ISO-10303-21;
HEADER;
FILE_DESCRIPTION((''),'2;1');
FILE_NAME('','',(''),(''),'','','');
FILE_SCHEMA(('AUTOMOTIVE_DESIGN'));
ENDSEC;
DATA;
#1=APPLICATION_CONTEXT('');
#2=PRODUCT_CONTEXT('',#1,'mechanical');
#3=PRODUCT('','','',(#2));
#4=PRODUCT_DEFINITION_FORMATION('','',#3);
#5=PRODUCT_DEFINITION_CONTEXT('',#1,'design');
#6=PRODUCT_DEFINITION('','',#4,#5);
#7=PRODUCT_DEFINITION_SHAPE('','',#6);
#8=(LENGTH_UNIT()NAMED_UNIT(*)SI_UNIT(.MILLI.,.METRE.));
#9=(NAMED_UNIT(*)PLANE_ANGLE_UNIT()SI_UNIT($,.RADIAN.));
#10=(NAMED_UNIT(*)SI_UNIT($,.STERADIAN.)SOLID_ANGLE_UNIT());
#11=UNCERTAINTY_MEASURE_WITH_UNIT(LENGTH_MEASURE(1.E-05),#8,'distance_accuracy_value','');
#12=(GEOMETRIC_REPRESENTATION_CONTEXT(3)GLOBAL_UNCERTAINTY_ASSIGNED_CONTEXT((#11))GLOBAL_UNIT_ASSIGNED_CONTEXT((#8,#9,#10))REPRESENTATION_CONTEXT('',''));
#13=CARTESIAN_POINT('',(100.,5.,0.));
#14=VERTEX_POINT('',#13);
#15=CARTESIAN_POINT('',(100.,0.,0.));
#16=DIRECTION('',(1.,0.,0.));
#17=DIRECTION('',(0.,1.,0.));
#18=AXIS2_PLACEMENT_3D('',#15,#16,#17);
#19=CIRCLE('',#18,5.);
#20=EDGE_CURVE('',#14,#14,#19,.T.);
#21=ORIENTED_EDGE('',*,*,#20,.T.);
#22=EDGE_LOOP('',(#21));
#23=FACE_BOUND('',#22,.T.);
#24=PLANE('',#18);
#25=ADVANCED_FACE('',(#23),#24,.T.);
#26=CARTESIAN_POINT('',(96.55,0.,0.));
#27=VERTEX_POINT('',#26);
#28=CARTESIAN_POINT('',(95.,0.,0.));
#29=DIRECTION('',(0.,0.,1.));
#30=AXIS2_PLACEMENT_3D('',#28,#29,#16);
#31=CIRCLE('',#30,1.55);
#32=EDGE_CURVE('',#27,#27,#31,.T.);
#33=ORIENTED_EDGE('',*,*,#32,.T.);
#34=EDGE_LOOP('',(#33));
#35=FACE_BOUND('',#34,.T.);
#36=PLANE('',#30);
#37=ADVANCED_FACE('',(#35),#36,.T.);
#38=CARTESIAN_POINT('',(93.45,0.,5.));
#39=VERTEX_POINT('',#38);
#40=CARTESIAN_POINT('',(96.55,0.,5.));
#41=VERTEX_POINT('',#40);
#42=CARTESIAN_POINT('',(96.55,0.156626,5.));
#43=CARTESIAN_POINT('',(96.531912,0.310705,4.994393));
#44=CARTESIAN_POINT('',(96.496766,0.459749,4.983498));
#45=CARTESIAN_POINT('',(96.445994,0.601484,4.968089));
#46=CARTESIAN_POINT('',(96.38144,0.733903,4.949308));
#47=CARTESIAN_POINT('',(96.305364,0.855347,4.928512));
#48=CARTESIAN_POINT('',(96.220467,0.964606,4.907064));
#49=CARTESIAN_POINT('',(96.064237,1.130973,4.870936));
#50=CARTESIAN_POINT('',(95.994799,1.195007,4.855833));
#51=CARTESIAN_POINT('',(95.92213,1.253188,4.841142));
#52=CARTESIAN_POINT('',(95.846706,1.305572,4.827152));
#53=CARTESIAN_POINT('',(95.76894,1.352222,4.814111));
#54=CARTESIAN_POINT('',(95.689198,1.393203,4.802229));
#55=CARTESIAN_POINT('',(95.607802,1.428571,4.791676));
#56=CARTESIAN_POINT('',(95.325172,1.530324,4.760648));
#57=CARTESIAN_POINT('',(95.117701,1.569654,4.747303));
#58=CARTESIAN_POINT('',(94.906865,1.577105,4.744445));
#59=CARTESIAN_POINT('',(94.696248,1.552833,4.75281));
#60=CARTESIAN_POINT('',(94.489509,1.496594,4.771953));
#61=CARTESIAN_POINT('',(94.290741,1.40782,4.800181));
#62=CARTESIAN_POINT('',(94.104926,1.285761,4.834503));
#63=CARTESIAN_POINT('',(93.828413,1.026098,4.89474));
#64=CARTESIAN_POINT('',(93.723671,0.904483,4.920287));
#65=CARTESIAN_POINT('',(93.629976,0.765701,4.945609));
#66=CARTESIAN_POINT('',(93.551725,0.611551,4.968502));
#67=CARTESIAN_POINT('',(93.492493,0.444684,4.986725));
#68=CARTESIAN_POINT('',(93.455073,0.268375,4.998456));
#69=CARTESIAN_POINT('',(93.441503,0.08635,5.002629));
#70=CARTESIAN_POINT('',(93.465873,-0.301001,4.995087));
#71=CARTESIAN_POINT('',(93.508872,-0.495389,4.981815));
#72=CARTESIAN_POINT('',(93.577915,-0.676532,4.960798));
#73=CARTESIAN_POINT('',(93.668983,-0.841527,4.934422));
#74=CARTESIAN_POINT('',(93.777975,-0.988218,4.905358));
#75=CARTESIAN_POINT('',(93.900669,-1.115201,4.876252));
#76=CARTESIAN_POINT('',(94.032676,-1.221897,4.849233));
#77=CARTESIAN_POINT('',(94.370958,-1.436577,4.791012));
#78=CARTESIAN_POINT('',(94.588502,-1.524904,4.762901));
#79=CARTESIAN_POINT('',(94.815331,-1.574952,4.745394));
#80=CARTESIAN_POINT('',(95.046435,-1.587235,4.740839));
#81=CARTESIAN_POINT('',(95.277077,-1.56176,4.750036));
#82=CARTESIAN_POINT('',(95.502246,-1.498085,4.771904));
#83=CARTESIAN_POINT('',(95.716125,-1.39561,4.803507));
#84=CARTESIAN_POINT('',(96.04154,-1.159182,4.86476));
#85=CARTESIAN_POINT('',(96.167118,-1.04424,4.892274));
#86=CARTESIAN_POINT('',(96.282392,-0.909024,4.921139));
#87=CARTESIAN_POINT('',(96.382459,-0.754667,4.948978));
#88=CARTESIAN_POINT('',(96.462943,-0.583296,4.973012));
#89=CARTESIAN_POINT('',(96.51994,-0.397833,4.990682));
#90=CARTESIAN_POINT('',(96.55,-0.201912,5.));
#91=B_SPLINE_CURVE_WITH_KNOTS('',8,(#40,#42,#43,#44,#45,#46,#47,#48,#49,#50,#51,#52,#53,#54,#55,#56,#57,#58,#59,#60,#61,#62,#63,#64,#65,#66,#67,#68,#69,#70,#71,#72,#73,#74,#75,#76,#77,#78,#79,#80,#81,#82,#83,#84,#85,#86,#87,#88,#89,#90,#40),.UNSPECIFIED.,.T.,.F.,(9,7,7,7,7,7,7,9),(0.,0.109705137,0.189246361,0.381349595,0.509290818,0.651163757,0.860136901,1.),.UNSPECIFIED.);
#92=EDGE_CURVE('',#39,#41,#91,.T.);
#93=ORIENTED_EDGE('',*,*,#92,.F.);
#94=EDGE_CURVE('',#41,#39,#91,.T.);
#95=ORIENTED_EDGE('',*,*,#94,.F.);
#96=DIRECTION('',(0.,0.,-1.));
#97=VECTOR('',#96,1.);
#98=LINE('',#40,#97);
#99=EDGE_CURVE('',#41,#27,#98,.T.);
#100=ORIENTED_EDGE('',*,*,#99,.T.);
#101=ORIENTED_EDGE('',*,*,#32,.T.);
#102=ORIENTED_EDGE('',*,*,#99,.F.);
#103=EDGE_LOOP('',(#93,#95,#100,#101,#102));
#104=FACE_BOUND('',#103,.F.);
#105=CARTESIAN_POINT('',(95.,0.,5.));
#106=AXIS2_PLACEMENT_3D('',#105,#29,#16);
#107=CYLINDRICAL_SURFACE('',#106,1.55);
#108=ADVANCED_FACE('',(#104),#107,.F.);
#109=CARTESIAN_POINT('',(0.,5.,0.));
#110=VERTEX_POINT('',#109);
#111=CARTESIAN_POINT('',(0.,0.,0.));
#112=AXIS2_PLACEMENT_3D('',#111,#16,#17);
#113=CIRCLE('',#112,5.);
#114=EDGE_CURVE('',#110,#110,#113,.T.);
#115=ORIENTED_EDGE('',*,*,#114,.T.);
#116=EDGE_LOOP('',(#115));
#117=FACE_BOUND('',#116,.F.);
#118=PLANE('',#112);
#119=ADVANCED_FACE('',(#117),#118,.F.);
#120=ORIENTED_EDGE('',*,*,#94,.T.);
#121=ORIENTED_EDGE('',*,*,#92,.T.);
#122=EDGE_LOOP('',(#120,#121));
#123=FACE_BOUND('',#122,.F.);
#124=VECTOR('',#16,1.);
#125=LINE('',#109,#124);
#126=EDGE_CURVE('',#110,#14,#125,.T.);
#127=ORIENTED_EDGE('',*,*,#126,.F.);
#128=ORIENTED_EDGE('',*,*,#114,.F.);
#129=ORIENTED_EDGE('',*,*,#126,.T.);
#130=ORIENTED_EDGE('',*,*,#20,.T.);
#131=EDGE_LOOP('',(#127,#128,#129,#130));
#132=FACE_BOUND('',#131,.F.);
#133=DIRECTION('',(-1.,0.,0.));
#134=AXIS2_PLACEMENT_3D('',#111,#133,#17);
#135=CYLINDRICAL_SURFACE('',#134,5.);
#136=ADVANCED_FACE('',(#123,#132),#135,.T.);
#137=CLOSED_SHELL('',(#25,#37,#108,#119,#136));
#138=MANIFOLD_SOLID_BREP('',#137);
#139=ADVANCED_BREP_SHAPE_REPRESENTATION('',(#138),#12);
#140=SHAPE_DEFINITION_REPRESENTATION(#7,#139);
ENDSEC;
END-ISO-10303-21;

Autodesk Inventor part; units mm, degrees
ref_plane "YZ Plane" through (0, 0, 0) normal (1, 0, 0) x (0, 1, 0)
ref_plane "XZ Plane" through (0, 0, 0) normal (0, 1, 0) x (-1, 0, 0)
ref_plane "XY Plane" through (0, 0, 0) normal (0, 0, 1) x (1, 0, 0)
sketch "Sketch1" plane through (0, 0, 0) normal (1, 0, 0) x (0, 1, 0)
  circle A0 centre (0, 0) radius 5
  dimension "d0" = 10
extrude "Extrusion1" add sketch "Sketch1" along normal blind 100
ref_plane "Work Plane1" through (95, 0, 0) normal (1, 0, 0) x (0, 0, -1)
sketch "Sketch2" plane through (95, 0, 0) normal (1, 0, 0) x (0, 0, -1)
  circle A0 centre (0, 0) radius 5 projected
  line L0 (0, 0) -> (-5, 0)
  circle A1 centre (0, 0) radius 5 projected
ref_plane "Work Plane2" through (95, 0, 5) normal (0, 0, 1) x (1, 0, 0)
sketch "Sketch3" plane through (95, 0, 5) normal (0, 0, 1) x (1, 0, 0)
  circle A0 centre (0, 0) radius 1.55
  point P0 (-95, 0)
  dimension "d4" = 3.1
extrude "Extrusion2" cut sketch "Sketch3" against normal blind 5
properties part number "10mm Rod"
